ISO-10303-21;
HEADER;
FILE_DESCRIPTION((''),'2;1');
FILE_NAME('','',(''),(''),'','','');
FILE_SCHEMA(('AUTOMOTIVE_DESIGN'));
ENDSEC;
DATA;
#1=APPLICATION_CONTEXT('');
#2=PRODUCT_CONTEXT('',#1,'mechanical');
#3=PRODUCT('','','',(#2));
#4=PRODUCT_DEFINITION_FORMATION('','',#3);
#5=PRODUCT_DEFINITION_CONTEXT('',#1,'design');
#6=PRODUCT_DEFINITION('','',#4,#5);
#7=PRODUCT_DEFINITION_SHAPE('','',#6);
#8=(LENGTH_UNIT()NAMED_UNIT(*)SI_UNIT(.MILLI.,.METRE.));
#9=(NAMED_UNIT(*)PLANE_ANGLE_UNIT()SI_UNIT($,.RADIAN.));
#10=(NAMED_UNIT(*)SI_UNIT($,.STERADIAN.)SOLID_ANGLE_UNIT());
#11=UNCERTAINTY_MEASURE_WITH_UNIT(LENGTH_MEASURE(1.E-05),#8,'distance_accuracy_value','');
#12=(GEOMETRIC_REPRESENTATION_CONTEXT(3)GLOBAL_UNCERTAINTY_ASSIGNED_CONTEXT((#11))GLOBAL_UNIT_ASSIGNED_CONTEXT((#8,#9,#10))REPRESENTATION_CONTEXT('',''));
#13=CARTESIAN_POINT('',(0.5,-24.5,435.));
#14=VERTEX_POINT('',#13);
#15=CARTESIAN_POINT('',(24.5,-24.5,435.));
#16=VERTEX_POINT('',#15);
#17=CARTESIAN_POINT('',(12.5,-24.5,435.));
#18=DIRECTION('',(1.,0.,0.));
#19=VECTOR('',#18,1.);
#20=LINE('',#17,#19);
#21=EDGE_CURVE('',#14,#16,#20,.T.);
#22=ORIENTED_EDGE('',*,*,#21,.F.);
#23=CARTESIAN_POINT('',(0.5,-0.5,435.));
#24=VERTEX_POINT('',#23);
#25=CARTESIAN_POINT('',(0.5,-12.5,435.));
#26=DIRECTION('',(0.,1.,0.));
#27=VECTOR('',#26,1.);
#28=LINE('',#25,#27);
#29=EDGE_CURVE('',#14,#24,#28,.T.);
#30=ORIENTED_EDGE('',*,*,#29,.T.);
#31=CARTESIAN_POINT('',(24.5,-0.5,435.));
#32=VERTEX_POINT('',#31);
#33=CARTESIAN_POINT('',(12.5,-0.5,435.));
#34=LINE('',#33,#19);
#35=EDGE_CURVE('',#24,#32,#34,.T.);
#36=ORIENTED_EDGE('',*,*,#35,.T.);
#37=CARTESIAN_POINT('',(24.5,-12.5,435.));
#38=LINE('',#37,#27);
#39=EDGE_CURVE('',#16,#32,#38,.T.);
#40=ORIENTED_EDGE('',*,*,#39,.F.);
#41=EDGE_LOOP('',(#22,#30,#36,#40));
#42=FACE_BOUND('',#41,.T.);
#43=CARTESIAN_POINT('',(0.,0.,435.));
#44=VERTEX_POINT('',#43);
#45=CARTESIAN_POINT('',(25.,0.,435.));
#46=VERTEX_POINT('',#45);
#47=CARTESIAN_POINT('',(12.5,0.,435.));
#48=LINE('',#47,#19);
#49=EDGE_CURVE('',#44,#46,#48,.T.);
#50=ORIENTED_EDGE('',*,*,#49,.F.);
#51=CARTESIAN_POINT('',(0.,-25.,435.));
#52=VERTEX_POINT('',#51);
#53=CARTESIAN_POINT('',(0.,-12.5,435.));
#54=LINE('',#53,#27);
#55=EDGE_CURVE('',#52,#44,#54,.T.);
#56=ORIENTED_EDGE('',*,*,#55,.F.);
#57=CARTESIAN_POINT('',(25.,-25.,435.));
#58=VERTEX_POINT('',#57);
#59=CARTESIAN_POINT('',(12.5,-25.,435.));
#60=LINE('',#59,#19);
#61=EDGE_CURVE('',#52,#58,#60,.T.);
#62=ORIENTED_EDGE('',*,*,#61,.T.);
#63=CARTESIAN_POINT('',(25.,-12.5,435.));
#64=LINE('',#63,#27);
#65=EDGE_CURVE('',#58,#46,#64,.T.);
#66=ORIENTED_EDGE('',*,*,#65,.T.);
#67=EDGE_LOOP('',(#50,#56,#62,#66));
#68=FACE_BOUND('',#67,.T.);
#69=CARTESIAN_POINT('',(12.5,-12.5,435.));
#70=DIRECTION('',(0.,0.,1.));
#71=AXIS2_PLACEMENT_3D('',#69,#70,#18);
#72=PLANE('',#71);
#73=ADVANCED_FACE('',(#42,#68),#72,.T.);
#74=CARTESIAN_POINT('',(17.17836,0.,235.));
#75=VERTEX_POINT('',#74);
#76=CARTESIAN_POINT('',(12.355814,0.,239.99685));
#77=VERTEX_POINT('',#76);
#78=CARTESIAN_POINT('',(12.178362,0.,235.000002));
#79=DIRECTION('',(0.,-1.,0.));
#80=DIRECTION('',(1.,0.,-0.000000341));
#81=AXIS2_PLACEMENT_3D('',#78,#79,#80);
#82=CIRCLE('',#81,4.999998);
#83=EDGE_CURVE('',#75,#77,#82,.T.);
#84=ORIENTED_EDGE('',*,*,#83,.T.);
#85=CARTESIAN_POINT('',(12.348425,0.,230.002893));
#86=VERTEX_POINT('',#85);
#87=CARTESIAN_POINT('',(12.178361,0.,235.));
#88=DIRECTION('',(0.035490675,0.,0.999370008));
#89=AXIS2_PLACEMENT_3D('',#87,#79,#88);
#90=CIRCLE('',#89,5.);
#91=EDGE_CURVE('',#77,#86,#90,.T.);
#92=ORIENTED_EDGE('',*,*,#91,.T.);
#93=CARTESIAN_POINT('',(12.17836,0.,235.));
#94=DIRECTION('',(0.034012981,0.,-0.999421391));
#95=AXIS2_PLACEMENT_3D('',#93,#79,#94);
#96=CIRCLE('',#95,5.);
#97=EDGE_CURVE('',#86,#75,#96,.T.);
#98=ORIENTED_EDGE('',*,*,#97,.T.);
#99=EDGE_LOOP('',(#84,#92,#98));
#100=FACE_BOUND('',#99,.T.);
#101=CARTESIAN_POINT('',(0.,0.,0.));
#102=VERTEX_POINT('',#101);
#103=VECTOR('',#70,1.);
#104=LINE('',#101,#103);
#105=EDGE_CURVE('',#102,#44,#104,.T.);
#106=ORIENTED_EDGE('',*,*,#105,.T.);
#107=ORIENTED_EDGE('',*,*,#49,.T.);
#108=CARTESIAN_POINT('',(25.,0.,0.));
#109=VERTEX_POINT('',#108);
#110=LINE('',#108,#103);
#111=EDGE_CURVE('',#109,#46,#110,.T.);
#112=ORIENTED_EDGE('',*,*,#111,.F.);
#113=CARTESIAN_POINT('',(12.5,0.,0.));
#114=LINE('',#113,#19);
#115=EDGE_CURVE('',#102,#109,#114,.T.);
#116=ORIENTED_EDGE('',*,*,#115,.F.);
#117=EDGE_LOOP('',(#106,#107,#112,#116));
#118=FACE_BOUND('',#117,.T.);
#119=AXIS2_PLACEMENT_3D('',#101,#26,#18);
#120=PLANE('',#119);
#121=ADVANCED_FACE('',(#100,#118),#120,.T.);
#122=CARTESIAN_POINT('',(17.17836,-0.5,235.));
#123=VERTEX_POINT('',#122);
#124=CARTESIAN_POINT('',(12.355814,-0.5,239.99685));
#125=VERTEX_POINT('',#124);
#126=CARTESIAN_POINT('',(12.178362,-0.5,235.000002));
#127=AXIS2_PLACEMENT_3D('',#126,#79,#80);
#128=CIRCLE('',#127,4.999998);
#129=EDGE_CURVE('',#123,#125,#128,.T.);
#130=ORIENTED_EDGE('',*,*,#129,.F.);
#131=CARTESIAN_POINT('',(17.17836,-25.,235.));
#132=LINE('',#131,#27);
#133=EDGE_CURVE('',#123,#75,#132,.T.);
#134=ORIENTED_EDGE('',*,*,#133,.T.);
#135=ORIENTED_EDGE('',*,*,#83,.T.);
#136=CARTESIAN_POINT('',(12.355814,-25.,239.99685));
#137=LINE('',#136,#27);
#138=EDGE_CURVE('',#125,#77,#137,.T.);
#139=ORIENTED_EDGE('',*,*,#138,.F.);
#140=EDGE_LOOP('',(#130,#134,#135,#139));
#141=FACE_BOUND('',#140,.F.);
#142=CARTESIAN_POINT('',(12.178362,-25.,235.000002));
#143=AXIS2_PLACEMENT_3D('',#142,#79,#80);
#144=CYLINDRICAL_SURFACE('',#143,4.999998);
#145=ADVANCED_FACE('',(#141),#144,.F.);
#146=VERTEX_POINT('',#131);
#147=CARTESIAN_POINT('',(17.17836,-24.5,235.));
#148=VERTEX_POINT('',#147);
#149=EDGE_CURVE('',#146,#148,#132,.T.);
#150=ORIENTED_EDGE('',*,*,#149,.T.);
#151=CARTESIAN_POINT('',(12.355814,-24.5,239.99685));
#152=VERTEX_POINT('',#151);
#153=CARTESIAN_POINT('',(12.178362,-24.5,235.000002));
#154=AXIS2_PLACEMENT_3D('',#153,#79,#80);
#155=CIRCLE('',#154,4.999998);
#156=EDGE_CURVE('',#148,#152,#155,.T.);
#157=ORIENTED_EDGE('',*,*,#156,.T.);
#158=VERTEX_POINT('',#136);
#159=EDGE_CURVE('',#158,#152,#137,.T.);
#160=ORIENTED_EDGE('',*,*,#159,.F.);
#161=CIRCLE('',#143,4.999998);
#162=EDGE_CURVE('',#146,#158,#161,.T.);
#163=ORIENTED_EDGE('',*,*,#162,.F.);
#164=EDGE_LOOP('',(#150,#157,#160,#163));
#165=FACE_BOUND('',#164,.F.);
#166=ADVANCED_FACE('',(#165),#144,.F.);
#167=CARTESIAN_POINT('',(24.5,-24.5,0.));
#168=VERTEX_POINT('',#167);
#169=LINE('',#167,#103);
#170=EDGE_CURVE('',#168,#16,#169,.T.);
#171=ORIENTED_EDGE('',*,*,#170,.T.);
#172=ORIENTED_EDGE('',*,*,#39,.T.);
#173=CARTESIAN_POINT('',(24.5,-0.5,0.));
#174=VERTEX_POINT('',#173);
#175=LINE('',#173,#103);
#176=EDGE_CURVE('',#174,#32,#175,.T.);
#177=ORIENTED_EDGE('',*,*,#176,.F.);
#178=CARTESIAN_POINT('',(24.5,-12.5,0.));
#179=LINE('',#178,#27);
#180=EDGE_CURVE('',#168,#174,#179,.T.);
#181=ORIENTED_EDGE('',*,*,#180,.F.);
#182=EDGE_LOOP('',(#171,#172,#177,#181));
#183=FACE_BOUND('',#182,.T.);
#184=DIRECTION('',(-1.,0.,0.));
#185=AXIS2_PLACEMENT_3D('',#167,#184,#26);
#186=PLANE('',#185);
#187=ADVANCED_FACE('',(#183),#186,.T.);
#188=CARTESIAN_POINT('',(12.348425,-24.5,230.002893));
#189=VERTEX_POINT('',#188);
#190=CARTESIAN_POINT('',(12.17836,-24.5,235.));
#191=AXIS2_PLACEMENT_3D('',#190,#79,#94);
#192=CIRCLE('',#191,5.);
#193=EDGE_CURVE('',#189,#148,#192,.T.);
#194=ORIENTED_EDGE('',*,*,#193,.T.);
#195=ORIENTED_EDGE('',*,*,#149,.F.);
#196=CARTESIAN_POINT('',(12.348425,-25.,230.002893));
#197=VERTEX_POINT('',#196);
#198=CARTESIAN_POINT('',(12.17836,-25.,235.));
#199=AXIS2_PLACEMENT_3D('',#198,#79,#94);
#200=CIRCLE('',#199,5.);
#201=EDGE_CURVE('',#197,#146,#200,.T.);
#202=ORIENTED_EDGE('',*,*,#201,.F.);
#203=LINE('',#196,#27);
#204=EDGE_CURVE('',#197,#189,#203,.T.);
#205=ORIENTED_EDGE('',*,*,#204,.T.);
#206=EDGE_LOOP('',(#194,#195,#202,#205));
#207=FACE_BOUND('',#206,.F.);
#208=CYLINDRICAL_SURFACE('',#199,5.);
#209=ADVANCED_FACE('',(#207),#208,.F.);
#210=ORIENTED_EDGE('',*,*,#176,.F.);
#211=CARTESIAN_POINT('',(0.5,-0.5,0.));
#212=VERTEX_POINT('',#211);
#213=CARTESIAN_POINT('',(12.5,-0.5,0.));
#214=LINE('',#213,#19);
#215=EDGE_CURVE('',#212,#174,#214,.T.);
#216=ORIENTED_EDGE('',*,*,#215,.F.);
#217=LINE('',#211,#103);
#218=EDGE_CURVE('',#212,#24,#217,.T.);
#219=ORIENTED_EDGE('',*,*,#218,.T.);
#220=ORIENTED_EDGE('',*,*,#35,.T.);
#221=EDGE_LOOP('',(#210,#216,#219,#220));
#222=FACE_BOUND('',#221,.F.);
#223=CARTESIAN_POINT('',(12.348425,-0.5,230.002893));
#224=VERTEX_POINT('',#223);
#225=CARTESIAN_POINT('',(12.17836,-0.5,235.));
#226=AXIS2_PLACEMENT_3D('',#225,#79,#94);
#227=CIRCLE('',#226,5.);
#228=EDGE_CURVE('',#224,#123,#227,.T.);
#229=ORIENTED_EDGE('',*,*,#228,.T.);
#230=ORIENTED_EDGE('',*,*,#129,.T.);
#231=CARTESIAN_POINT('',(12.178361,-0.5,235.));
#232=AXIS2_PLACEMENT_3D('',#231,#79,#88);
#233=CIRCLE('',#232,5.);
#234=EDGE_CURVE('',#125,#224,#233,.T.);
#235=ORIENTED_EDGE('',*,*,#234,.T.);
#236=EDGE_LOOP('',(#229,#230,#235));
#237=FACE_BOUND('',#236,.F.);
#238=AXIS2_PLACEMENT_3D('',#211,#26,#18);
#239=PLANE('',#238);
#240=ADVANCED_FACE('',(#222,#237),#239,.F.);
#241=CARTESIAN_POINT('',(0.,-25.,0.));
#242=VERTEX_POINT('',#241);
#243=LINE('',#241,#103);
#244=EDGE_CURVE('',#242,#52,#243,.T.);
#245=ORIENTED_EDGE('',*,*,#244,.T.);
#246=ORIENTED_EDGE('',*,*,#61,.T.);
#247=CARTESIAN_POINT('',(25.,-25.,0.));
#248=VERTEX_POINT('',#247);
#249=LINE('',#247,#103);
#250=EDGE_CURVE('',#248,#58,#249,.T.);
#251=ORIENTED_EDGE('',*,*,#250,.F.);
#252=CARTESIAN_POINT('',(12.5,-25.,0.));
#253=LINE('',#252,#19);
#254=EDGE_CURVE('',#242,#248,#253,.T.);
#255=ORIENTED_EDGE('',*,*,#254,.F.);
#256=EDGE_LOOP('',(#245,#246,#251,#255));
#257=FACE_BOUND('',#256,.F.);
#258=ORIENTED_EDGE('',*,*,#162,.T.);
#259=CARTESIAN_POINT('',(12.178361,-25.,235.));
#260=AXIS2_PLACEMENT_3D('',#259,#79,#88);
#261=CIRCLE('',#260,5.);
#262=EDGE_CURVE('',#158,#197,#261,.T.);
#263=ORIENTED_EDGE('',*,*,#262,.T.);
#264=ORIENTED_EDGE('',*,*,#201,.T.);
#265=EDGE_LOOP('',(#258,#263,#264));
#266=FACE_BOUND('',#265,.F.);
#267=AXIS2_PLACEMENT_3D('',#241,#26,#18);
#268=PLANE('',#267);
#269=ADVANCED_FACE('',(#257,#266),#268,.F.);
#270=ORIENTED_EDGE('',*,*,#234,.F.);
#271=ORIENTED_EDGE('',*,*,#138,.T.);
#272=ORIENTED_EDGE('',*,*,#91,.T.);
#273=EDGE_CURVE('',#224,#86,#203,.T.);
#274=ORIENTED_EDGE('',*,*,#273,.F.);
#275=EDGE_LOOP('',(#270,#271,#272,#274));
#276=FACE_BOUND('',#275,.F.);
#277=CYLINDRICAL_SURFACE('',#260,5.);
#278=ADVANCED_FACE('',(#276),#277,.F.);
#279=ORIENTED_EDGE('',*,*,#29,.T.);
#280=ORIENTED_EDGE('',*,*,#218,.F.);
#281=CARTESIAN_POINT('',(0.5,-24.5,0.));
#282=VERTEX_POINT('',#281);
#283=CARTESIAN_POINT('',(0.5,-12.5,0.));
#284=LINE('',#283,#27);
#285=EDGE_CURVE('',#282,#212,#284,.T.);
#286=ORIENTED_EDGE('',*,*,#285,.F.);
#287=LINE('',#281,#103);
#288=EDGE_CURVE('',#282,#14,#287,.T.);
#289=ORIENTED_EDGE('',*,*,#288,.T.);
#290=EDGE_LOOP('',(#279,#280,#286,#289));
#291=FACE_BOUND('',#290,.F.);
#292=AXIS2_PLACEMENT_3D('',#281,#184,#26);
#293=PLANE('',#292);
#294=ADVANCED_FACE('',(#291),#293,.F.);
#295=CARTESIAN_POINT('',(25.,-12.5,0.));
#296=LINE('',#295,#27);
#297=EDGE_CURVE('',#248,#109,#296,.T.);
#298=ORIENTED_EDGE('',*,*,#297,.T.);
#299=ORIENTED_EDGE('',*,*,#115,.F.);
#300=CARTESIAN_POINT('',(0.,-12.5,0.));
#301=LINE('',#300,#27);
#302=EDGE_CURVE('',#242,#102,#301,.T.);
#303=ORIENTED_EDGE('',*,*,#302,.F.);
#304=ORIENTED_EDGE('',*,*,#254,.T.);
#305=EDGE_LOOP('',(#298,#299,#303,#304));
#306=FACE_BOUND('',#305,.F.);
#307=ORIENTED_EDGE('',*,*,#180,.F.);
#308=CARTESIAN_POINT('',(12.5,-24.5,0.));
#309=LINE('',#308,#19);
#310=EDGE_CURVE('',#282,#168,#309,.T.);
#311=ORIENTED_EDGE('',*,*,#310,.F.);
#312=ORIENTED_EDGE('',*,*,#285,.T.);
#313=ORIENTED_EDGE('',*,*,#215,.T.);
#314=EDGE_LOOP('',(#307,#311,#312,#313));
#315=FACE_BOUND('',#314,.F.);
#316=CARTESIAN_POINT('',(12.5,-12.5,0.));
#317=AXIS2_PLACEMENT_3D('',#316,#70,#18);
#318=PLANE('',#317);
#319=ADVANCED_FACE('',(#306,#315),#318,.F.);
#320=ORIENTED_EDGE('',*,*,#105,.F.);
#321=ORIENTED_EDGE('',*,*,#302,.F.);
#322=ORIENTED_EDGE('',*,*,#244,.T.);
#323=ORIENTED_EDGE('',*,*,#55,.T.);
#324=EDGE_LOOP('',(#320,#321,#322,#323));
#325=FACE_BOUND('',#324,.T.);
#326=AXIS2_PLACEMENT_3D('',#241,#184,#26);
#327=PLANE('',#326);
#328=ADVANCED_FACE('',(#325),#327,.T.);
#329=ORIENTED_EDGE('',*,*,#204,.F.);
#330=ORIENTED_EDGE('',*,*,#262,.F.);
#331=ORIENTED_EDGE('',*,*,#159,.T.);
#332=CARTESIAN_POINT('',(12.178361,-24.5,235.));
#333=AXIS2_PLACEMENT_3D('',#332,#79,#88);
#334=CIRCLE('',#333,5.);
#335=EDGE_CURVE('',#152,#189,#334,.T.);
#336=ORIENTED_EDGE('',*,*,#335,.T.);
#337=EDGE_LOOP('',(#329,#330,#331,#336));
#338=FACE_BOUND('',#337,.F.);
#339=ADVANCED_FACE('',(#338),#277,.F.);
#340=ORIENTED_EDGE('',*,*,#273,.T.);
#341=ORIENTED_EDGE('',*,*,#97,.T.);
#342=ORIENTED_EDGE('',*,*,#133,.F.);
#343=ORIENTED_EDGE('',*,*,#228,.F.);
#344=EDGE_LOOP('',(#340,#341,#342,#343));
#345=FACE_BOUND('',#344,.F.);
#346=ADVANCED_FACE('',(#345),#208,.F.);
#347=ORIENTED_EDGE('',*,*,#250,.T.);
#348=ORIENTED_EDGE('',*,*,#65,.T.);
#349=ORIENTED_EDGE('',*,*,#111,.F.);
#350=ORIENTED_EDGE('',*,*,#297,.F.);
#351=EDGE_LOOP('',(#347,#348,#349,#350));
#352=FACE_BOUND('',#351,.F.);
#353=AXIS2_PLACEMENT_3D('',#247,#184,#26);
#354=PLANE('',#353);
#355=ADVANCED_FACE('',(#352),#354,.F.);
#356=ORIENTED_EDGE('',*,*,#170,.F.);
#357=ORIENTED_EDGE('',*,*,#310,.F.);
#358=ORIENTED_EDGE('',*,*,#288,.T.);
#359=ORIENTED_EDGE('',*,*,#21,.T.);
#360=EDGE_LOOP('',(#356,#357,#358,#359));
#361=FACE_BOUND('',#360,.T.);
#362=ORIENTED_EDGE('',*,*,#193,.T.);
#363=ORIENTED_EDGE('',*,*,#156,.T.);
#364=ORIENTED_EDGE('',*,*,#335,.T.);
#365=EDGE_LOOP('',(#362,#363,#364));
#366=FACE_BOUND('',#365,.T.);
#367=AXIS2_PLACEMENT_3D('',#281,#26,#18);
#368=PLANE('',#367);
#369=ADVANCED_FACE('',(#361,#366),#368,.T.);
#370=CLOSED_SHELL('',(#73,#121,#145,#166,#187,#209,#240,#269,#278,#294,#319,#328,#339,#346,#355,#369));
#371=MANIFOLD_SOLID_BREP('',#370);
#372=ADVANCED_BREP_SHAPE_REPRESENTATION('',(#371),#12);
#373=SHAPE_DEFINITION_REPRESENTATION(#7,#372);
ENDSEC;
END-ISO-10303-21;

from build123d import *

# Parameters (mm, degrees)
F0_W     = 25
F0_H     = 25
F0_W_2   = 24
F0_H_2   = 24
F1_DEPTH = 435
F3_DEPTH = 25.001


with BuildPart() as f1:
    # F0 (on Top) → F1 (new body)
    with BuildSketch(Plane.XY):
        with Locations((12.5, -12.5)):
            Rectangle(F0_W, F0_H)
        with Locations((12.5, -12.5)):
            Rectangle(F0_W_2, F0_H_2, mode=Mode.SUBTRACT)
    extrude(amount=F1_DEPTH)

    # F2 (on face) → F3 (cut, through all)
    with BuildSketch(Plane.XZ.offset(25)):
        with BuildLine():
            ThreePointArc((12.348425, 230.002893), (15.773518, 231.525113), (17.17836, 235))
            ThreePointArc((17.17836, 235), (15.776087, 238.472228), (12.355814, 239.99685))
            Line((12.355814, 239.99685), (12.348425, 230.002893))
        make_face()
        with BuildLine():
            Line((12.348425, 230.002893), (12.355814, 239.99685))
            ThreePointArc((12.355814, 239.99685), (7.178362, 235.003697), (12.348425, 230.002893))
        make_face()
    extrude(amount=-F3_DEPTH, mode=Mode.SUBTRACT)


solid = f1.part
